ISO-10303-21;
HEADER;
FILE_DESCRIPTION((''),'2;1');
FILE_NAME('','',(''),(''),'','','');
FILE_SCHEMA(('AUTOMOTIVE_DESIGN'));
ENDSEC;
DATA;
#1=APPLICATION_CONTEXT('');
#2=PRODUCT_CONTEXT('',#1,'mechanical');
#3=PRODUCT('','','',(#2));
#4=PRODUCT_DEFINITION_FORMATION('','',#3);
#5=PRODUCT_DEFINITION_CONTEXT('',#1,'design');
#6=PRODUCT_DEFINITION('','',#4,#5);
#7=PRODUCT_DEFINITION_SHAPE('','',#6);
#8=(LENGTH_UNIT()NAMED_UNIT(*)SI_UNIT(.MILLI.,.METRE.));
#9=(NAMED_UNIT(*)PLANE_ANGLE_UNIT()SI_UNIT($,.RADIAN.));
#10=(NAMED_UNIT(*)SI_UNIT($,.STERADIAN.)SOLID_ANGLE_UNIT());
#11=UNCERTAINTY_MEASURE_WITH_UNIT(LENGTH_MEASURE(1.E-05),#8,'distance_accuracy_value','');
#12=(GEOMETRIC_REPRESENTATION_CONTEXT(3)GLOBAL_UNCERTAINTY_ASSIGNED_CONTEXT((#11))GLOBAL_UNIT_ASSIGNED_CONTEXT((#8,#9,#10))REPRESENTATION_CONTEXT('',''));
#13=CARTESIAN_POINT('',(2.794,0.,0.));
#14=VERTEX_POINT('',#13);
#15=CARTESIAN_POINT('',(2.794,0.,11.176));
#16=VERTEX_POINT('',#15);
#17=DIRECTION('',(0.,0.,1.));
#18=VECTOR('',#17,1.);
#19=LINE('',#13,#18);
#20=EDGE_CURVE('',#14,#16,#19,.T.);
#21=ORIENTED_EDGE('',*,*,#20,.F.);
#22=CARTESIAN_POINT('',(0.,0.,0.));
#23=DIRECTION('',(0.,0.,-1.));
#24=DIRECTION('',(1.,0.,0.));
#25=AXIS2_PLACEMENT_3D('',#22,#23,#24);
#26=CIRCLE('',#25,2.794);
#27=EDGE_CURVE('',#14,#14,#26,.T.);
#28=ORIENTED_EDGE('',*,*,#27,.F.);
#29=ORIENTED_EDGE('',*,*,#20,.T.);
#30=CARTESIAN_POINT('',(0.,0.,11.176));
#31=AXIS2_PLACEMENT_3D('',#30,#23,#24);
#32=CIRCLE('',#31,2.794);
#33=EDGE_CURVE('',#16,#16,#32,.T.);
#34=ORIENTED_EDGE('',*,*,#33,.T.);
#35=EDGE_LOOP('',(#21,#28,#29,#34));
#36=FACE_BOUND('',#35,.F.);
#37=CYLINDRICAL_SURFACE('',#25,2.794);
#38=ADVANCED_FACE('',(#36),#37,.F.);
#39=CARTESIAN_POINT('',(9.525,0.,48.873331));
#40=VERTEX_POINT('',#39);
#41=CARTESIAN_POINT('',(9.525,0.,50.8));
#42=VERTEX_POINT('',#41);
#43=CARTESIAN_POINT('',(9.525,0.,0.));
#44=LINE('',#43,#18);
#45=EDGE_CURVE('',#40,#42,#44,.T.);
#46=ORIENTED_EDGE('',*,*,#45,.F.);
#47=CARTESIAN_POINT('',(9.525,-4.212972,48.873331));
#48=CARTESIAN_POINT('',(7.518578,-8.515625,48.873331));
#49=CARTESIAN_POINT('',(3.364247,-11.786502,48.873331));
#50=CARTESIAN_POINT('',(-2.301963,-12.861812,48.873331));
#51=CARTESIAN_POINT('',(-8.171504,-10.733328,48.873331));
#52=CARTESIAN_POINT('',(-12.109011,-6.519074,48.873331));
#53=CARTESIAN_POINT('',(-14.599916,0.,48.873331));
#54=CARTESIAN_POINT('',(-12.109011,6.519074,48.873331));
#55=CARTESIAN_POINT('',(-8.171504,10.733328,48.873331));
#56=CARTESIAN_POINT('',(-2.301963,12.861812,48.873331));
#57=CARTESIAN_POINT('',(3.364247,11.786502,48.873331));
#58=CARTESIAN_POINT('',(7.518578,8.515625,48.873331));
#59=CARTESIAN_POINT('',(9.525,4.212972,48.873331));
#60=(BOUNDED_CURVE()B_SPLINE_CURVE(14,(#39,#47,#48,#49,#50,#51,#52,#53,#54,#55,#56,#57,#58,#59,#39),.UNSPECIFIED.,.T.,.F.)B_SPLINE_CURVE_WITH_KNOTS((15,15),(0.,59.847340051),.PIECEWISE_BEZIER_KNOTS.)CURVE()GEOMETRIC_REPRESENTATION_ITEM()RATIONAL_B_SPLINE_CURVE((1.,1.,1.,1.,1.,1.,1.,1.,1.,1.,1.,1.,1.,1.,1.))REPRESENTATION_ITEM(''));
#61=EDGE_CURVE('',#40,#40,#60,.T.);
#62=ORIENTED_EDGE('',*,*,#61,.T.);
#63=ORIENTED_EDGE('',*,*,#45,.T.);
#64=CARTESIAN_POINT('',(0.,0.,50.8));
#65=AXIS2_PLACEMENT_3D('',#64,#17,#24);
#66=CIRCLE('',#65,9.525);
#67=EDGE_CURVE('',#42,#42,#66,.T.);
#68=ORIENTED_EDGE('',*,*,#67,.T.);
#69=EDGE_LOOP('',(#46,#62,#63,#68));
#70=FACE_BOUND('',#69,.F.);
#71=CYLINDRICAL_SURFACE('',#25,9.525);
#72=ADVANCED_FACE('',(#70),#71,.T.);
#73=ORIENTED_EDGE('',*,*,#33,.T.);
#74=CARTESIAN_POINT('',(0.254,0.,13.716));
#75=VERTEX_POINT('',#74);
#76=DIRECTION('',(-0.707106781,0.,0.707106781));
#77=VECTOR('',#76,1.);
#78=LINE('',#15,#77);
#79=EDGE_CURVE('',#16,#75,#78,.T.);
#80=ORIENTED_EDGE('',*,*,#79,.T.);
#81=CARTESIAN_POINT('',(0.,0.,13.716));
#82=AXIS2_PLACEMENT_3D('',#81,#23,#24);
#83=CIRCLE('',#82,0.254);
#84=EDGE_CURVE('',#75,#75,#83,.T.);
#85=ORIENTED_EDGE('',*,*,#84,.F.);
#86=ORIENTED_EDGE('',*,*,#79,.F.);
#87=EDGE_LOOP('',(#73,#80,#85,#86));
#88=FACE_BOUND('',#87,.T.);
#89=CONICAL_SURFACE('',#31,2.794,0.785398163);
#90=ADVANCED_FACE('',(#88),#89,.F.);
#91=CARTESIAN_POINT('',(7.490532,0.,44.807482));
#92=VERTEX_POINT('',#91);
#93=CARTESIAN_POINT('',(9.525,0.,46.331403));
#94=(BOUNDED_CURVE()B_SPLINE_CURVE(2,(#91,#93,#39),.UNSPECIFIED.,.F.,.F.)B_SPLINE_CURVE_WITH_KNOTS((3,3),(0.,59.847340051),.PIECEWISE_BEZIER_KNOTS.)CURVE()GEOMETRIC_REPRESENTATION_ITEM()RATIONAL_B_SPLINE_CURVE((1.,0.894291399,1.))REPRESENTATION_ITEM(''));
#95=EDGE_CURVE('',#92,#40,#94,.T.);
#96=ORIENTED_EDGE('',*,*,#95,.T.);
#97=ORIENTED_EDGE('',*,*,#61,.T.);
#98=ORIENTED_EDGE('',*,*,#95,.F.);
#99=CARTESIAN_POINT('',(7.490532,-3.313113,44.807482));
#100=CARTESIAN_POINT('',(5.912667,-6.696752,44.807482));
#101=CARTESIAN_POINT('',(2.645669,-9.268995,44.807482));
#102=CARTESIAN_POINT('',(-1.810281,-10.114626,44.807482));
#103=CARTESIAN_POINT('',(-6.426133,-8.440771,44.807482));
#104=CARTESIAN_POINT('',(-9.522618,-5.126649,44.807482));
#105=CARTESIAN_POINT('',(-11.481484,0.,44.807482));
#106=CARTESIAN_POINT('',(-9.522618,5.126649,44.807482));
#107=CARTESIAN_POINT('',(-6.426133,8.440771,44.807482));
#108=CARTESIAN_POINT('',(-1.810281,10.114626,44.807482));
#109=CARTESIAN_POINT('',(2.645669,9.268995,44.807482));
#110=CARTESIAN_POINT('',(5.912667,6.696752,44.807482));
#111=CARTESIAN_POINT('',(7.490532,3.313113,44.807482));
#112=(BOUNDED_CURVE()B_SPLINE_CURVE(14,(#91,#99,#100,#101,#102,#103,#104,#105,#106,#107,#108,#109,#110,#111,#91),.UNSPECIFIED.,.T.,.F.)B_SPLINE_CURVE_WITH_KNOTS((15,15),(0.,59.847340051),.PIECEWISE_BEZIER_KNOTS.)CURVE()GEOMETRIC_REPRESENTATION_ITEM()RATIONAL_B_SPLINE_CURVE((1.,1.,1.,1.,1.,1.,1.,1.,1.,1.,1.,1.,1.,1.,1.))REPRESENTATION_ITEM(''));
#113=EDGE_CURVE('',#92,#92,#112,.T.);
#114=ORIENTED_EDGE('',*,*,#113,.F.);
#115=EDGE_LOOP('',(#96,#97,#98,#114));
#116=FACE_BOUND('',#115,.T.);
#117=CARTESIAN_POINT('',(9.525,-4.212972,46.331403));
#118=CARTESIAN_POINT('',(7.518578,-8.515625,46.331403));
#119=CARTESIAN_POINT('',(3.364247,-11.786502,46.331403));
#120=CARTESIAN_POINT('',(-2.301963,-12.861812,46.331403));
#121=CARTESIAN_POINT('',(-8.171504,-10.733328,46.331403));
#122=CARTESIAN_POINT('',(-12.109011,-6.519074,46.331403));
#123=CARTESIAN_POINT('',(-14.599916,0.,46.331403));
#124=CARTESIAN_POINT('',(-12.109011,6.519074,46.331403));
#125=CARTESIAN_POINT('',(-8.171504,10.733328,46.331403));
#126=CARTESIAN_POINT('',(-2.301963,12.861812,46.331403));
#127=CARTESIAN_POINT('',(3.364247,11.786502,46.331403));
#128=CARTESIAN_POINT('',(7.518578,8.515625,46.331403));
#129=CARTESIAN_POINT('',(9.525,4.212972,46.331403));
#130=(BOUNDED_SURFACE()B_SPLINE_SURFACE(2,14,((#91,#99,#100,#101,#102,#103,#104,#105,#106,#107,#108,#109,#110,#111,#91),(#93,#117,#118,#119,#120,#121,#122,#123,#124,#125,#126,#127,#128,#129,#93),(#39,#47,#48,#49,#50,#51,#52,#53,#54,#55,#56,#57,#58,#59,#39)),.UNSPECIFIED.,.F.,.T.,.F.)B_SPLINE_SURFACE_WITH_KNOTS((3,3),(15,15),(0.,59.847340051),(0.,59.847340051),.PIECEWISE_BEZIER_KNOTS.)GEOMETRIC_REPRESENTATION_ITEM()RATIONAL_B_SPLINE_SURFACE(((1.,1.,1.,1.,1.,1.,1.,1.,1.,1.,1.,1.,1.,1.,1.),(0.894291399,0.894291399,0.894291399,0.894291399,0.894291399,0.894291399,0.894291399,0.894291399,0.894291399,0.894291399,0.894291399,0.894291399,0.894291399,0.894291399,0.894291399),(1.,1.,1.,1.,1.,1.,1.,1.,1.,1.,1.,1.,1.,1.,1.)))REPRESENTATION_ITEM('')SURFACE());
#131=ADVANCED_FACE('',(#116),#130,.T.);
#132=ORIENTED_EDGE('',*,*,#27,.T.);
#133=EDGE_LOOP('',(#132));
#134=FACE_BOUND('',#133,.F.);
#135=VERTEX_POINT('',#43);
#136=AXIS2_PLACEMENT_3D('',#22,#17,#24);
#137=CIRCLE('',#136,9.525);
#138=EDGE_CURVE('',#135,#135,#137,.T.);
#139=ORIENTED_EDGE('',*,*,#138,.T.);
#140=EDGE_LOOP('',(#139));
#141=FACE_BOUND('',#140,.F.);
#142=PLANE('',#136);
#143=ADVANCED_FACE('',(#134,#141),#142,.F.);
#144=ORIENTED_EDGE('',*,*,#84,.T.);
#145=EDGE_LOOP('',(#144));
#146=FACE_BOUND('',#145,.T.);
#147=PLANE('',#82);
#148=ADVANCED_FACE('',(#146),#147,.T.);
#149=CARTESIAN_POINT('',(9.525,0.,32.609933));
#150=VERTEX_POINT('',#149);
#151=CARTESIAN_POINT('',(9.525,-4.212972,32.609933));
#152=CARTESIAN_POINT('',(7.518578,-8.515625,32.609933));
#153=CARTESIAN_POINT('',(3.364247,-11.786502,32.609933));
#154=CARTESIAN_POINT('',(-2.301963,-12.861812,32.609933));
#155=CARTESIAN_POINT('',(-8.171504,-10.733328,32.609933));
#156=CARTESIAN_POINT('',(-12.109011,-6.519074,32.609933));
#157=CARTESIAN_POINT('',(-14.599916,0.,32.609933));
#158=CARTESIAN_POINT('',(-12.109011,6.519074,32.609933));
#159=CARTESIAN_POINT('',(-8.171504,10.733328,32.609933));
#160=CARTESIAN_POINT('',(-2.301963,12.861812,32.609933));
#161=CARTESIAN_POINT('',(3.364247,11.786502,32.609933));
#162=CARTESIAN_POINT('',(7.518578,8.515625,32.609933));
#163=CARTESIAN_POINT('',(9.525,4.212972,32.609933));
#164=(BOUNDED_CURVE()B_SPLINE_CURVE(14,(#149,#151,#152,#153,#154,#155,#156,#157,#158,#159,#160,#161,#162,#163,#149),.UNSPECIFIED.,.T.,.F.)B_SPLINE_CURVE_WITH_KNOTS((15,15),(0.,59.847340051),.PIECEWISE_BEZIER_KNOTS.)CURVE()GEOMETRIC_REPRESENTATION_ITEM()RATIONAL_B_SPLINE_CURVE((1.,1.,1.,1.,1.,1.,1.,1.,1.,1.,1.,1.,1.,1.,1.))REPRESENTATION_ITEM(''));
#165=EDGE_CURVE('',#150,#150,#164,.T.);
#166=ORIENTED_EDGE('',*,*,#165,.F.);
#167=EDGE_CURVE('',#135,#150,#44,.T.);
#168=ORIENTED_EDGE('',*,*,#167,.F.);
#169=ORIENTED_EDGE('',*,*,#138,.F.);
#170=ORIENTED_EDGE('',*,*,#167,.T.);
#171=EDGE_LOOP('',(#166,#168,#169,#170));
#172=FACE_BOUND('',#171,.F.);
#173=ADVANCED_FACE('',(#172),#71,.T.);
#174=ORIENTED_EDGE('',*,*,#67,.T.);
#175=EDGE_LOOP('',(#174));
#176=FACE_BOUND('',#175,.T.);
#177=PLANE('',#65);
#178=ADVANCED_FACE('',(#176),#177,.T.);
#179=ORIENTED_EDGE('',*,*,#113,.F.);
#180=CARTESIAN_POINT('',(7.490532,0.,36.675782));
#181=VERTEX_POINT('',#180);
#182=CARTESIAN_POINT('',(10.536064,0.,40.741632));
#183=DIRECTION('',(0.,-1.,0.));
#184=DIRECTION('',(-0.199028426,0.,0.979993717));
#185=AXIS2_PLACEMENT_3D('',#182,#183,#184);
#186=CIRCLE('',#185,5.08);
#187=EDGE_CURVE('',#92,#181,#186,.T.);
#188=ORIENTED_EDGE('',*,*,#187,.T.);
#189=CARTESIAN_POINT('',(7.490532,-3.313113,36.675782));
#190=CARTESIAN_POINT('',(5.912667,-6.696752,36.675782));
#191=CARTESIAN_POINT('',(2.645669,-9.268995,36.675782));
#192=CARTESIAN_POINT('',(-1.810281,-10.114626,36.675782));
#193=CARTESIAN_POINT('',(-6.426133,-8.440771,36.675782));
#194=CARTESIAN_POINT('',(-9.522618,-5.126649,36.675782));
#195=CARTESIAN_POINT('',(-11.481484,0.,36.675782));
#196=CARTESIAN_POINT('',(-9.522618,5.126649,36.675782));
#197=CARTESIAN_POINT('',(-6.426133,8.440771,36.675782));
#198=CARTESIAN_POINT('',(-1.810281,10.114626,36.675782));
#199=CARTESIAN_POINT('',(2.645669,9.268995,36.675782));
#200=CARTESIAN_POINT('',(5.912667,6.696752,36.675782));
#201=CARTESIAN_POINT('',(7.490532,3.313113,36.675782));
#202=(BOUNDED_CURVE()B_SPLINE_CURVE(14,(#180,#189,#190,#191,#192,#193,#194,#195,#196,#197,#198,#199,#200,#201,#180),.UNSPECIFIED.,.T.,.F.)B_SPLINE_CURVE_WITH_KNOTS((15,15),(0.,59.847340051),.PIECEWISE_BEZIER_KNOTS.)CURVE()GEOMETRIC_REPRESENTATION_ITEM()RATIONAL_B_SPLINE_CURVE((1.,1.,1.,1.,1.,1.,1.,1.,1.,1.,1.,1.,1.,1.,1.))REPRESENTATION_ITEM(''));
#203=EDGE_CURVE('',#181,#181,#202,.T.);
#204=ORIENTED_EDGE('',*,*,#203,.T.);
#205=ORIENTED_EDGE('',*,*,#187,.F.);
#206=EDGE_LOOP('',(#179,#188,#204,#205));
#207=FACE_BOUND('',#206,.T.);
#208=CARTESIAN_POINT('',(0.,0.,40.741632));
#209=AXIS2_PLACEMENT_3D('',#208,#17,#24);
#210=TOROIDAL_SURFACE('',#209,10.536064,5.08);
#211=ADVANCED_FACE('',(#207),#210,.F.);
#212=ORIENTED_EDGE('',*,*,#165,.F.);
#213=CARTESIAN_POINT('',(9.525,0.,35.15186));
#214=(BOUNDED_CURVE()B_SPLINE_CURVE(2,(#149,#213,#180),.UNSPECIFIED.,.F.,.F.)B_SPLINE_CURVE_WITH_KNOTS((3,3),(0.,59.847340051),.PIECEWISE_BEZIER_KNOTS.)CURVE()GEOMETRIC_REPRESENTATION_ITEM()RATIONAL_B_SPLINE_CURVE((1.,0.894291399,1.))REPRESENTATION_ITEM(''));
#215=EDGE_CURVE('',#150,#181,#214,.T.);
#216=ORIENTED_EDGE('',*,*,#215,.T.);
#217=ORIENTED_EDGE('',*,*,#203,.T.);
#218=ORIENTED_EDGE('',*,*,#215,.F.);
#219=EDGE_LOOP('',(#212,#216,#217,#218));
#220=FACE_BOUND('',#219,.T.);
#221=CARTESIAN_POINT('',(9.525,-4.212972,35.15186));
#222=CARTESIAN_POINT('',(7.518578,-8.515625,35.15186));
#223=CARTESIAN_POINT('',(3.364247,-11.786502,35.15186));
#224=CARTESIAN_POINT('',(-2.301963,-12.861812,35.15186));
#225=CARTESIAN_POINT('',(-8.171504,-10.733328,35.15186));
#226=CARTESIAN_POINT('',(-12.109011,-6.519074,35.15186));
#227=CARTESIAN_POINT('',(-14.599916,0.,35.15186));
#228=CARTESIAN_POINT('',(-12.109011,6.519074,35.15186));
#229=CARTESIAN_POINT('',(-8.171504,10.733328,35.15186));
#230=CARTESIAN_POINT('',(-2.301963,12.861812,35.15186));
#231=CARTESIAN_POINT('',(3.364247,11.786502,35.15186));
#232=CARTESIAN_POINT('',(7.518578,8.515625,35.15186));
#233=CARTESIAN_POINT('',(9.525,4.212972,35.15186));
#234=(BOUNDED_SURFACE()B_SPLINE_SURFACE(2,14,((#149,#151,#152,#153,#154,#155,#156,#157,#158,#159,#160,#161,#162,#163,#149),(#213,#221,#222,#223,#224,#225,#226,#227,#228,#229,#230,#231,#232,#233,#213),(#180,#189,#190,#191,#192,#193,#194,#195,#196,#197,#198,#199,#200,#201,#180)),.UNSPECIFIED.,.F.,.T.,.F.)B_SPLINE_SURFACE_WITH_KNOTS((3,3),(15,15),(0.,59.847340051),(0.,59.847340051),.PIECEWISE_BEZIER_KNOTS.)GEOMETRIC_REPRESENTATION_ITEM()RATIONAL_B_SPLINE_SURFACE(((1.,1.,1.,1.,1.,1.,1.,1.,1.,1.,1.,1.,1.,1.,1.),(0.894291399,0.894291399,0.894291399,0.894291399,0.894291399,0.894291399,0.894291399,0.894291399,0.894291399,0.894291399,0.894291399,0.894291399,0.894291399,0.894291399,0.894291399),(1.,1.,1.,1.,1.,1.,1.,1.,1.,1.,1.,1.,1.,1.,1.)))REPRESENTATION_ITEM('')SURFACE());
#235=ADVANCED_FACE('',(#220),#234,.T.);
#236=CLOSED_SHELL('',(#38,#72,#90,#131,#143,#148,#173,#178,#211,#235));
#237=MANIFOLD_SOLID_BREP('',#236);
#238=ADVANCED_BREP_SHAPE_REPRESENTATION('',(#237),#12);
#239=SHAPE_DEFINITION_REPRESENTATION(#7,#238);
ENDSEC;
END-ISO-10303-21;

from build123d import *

# Parameters (mm, degrees)
F0_R     = 9.525
F1_DEPTH = 50.8
F4_R     = 5.08
F5_R     = 2.794
F6_DEPTH = 13.716
F7_SIZE  = 2.54


with BuildPart() as f1:
    # F0 (on Top) → F1 (new body)
    with BuildSketch(Plane.XY):
        Circle(F0_R)
    extrude(amount=F1_DEPTH)

    # F2 (on Front) → F3 (revolve, cut)
    with BuildSketch(Plane.XZ):
        with BuildLine():
            Line((9.525, 35.7632638335), (9.525, 45.72))
            ThreePointArc((9.525, 45.72), (5.4560644034, 40.7416319168), (9.525, 35.7632638335))
        make_face()
    revolve(axis=Axis((0, 0, -23.9516440779), (0, 0, -1)), mode=Mode.SUBTRACT)

    # F4
    f4_edges = [f1.edges().sort_by_distance(p)[0] for p in [
        (-9.525, 0, 45.72),
        (-9.525, 0, 35.763264),
    ]]
    fillet(f4_edges, radius=F4_R)

    # F5 (on face) → F6 (cut)
    with BuildSketch(Plane(origin=(0, 0, 0), x_dir=(1, 0, 0), z_dir=(0, 0, -1))):
        Circle(F5_R)
    extrude(amount=-F6_DEPTH, mode=Mode.SUBTRACT)

    # F7
    f7_edges = [f1.edges().sort_by_distance(p)[0] for p in [
        (-2.794, 0, 13.716),
    ]]
    chamfer(f7_edges, length=F7_SIZE)


solid = f1.part
